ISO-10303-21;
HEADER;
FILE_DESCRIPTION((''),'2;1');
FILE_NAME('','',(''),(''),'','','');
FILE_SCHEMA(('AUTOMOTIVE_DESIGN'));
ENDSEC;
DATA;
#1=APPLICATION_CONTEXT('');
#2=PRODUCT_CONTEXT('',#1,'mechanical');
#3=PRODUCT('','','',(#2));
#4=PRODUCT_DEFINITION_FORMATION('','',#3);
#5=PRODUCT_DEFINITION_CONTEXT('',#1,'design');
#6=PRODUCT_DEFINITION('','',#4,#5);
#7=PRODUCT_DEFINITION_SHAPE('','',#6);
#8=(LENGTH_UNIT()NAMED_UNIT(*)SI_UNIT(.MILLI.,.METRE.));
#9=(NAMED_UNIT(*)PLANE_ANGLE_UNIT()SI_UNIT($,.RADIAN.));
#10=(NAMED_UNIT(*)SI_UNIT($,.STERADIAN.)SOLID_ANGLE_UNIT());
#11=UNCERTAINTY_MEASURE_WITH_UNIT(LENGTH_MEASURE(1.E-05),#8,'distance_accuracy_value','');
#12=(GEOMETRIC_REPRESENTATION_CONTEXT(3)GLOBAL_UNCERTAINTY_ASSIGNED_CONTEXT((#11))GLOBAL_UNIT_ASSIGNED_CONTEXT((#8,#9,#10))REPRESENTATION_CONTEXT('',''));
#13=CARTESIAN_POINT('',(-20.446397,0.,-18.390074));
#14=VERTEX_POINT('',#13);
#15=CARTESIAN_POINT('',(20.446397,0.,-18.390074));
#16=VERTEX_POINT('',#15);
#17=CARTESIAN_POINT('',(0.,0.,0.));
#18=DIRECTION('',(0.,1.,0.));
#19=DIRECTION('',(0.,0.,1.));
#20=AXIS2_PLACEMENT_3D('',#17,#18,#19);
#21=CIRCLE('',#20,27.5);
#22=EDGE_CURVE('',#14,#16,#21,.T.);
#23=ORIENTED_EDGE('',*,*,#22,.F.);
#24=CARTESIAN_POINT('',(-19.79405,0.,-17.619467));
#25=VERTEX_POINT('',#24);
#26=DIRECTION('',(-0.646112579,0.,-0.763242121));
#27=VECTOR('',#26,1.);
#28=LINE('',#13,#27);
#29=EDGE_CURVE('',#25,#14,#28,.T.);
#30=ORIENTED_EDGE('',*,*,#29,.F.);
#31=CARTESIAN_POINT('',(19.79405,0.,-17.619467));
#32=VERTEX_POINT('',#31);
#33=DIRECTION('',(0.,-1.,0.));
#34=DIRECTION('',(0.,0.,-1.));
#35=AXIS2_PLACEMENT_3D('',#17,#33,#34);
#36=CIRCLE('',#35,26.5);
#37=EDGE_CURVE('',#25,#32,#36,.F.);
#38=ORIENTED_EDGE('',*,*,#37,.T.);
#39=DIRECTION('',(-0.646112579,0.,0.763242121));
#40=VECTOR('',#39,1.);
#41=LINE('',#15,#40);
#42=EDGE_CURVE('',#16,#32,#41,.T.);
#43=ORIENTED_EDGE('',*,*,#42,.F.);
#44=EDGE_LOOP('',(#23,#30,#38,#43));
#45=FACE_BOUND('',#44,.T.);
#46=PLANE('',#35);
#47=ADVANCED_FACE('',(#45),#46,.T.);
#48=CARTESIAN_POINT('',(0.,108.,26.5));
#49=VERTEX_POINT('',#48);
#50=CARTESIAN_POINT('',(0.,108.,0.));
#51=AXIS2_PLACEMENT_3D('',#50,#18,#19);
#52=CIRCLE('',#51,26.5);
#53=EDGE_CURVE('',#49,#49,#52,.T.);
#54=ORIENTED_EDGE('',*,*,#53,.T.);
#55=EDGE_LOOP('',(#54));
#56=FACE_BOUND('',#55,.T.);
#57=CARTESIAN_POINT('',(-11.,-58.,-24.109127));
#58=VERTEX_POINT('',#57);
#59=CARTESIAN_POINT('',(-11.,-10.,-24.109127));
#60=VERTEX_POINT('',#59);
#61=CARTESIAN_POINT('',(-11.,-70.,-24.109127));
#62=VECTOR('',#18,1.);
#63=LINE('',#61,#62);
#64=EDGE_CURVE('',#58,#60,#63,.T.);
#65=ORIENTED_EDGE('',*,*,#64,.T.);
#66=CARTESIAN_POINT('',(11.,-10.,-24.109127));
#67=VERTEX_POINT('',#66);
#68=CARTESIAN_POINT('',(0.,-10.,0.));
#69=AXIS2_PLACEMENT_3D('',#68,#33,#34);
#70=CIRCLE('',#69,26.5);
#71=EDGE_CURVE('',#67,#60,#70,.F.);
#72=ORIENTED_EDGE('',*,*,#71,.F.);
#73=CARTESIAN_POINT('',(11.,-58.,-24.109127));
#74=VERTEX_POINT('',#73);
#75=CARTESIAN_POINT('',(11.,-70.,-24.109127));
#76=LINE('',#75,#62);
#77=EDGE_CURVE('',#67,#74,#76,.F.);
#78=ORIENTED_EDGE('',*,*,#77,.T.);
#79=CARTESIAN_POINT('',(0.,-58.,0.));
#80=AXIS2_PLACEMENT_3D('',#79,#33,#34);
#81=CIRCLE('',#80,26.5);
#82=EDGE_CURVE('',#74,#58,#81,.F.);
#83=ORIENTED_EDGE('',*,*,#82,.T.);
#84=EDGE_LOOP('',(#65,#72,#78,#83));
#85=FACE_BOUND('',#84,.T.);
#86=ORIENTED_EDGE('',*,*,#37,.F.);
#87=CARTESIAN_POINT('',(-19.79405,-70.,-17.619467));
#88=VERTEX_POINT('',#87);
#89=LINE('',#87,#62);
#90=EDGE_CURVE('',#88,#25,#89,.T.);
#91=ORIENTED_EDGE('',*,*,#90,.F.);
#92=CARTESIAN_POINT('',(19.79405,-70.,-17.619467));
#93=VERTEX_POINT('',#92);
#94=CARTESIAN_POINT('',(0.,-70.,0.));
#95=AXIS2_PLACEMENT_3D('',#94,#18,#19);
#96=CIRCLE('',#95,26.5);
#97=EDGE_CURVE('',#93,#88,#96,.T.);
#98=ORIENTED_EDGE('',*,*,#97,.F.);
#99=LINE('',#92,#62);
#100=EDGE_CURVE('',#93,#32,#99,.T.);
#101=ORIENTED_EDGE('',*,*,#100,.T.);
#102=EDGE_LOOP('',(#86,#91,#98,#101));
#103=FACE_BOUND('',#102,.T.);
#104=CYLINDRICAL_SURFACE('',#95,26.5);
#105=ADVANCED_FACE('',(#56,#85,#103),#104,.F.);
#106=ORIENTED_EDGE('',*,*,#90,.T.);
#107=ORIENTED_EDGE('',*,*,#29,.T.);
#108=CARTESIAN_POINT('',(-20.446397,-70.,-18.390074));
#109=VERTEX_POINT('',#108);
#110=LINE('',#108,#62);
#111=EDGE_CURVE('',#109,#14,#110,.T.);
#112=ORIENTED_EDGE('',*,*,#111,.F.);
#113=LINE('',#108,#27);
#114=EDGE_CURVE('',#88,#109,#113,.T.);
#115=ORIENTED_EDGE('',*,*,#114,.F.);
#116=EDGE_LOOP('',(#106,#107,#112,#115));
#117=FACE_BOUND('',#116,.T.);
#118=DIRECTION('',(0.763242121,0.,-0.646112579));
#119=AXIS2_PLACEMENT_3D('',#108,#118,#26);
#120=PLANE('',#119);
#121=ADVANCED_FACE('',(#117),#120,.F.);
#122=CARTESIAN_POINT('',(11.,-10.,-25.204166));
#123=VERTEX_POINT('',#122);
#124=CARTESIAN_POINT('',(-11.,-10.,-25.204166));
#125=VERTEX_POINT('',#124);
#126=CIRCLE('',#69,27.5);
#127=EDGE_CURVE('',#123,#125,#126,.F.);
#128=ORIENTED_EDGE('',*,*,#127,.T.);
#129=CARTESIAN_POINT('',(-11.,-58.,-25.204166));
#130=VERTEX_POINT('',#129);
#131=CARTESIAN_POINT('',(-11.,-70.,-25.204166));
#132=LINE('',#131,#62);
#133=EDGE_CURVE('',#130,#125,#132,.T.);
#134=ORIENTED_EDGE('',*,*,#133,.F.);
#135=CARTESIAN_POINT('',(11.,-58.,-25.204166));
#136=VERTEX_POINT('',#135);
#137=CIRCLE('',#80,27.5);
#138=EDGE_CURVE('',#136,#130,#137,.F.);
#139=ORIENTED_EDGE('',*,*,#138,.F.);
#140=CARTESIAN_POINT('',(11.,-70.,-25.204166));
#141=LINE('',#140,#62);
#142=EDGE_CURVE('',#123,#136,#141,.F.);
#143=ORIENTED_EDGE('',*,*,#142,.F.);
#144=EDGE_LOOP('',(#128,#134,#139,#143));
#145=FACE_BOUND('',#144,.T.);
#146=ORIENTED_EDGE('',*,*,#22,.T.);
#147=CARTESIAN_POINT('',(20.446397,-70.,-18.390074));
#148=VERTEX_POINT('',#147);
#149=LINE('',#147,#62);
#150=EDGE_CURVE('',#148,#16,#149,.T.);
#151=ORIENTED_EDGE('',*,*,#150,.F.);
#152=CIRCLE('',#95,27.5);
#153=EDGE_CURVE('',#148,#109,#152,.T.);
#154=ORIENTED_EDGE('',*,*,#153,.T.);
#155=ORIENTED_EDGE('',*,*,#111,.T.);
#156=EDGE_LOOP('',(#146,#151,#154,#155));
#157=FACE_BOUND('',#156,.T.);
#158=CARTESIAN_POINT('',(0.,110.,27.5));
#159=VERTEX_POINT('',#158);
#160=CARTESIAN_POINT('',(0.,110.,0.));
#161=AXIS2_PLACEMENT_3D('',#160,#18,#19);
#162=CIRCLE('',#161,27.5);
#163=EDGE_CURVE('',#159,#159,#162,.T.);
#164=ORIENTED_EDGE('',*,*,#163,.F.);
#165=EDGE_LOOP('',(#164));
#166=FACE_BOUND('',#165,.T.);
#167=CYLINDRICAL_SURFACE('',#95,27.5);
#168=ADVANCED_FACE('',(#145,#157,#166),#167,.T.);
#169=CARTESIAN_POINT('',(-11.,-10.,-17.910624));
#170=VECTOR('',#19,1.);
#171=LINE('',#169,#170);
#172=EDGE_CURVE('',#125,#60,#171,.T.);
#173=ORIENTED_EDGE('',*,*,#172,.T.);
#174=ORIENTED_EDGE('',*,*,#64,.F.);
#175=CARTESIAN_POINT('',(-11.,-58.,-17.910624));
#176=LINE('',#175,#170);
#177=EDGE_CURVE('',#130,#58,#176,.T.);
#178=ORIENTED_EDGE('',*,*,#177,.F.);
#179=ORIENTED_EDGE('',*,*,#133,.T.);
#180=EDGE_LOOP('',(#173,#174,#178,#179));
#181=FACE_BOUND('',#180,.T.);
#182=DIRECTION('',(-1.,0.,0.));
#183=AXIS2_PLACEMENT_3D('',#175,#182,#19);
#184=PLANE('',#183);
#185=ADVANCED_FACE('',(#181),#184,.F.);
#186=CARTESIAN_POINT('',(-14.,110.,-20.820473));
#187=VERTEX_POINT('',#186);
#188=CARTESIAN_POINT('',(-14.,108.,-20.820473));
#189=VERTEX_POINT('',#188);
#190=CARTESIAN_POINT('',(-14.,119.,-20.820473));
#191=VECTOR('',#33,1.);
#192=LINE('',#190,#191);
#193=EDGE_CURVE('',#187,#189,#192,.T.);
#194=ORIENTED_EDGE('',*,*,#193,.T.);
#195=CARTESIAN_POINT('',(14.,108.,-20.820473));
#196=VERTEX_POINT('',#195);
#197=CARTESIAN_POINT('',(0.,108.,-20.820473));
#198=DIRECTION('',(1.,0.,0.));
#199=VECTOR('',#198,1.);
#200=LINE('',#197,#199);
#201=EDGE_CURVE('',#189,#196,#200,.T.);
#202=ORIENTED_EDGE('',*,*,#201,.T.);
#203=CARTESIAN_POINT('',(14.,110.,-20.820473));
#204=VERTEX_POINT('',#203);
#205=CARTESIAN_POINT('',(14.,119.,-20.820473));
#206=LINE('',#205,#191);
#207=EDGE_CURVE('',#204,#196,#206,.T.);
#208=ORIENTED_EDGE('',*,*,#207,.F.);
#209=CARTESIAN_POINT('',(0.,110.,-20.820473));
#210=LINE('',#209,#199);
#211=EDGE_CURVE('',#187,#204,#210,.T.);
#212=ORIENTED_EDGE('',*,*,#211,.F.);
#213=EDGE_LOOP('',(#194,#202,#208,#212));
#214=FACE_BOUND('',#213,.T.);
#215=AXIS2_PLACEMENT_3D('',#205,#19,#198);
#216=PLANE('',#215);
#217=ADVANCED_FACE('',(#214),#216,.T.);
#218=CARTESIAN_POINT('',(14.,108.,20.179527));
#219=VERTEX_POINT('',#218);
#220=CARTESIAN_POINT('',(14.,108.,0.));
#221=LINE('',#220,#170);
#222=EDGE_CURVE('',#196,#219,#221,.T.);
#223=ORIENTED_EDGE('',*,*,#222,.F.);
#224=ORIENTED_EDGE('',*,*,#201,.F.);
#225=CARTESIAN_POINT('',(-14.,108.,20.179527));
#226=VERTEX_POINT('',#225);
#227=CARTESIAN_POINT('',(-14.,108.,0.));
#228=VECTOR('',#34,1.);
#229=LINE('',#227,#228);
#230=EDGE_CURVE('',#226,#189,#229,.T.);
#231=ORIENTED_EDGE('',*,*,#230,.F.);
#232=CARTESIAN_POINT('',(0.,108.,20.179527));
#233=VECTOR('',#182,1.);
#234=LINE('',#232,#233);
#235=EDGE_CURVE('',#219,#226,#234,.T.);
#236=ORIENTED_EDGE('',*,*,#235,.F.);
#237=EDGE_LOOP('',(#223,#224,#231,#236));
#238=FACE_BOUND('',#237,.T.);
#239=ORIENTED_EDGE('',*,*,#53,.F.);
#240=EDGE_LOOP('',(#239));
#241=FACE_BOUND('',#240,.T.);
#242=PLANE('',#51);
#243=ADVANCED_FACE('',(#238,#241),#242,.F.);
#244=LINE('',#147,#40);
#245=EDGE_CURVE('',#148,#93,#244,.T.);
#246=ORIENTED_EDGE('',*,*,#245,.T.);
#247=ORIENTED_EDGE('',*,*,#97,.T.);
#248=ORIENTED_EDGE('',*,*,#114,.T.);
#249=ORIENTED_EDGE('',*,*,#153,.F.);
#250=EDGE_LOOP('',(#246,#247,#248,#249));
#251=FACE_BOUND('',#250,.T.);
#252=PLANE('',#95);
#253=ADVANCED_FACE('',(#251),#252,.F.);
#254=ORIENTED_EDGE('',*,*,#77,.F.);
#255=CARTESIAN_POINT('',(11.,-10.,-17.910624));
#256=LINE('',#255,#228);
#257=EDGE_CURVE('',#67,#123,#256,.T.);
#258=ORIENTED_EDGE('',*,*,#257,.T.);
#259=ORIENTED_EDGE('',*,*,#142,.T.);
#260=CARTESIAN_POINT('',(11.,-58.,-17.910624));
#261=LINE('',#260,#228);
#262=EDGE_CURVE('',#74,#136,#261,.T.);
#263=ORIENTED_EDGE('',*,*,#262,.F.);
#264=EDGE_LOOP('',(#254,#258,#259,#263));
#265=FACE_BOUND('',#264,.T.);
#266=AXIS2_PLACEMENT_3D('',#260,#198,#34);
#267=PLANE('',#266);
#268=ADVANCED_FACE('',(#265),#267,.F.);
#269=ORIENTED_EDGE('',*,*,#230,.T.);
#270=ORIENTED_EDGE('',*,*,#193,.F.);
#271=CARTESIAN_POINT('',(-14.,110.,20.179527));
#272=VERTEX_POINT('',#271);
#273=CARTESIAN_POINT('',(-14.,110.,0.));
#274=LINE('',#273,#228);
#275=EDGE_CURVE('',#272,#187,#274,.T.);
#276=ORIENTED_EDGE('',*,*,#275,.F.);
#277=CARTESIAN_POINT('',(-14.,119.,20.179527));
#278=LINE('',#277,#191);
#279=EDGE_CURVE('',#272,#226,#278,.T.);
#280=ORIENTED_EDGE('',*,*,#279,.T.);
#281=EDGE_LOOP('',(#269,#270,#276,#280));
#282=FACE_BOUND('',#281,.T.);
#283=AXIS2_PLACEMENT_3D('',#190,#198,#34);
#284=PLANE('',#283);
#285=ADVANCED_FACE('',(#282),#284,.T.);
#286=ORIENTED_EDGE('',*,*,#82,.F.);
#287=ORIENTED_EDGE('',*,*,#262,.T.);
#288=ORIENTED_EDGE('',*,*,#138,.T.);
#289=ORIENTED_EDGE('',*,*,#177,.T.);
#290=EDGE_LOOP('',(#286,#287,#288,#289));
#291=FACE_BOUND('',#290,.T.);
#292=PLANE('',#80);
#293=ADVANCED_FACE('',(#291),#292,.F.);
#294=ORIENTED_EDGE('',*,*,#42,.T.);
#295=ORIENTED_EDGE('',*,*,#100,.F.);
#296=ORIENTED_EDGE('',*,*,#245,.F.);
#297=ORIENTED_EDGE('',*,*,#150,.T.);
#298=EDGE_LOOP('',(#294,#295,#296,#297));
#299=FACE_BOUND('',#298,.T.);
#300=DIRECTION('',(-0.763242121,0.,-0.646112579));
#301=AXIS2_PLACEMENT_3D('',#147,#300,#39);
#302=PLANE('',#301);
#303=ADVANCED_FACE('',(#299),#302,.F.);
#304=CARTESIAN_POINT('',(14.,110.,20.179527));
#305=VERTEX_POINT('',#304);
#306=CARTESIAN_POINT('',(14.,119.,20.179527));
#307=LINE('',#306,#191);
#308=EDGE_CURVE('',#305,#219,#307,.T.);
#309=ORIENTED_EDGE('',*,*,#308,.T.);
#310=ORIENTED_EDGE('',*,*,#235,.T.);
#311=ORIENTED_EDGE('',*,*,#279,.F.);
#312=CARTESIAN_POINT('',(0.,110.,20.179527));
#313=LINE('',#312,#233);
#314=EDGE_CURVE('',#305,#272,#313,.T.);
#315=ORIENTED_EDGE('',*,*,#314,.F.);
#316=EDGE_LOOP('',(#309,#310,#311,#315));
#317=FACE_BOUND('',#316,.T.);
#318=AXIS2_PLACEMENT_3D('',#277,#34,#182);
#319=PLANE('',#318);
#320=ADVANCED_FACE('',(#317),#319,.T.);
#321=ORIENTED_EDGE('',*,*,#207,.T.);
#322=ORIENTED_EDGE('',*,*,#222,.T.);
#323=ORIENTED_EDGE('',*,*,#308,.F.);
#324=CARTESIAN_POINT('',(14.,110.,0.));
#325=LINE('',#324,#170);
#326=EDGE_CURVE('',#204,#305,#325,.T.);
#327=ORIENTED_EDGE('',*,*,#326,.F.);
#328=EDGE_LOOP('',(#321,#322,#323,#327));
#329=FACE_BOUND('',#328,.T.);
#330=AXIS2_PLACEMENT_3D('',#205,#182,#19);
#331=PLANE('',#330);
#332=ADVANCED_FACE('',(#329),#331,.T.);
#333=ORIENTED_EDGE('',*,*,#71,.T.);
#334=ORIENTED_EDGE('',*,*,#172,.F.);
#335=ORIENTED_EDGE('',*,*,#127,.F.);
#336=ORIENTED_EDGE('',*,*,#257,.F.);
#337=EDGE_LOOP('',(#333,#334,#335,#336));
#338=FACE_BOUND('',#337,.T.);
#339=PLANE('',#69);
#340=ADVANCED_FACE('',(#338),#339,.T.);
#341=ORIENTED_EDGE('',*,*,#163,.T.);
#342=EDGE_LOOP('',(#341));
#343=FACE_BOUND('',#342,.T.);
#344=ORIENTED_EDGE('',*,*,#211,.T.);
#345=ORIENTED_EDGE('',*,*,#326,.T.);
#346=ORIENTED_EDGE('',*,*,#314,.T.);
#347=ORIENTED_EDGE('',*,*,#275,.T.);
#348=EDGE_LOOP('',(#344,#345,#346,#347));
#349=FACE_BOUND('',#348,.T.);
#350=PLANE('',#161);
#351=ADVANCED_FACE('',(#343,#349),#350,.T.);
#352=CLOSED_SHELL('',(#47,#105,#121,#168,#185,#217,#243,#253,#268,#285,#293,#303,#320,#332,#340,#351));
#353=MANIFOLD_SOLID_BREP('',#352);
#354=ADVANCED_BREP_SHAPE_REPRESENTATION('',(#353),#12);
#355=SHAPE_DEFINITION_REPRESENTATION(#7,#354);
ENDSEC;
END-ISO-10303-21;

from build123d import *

# Parameters (mm, degrees)
SKETCH_1_R               = 27.5
EXTRUDE_1_DEPTH          = 110
EXTRUDE_1_DEPTH_BACK     = 70
SKETCH_2_R               = 26.5
CUT_EXTRUDE_1_DEPTH      = 108
CUT_EXTRUDE_1_DEPTH_BACK = 70
CUT_EXTRUDE_6_DEPTH      = 70
SKETCH_7_W               = 22
SKETCH_7_H               = 20
CUT_EXTRUDE_7_DEPTH      = 48
SKETCH_8_W               = 28
SKETCH_8_H               = 41
CUT_EXTRUDE_8_DEPTH      = 119


with BuildPart() as part:
    # 草圖1 → 填料-伸長1 (new body, two sides)
    with BuildSketch(Plane(origin=(0, 0, 0), x_dir=(1, 0, 0), z_dir=(0, 1, 0))) as extrude_1_sk:
        Circle(SKETCH_1_R)
    extrude(amount=EXTRUDE_1_DEPTH)
    extrude(extrude_1_sk.sketch, amount=-EXTRUDE_1_DEPTH_BACK)

    # 草圖2 → 除料-伸長1 (cut, two sides)
    with BuildSketch(Plane(origin=(0, 0, 0), x_dir=(1, 0, 0), z_dir=(0, 1, 0))) as cut_extrude_1_sk:
        Circle(SKETCH_2_R)
    extrude(amount=CUT_EXTRUDE_1_DEPTH, mode=Mode.SUBTRACT)
    extrude(cut_extrude_1_sk.sketch, amount=-CUT_EXTRUDE_1_DEPTH_BACK, mode=Mode.SUBTRACT)

    # 草圖6 → 除料-伸長6 (cut)
    with BuildSketch(Plane(origin=(0, 0, 0), x_dir=(1, 0, 0), z_dir=(0, 1, 0))):
        with BuildLine():
            Line((-26.5, 0), (26.300758937, 0))
            Line((26.300758937, 0), (26.5, 0))
            ThreePointArc((26.5, 0), (24.766835815, 9.426231681), (19.794049532, 17.619466595))
            Line((19.794049532, 17.619466595), (20.446397381, 18.390074337))
            ThreePointArc((20.446397381, 18.390074337), (25.676116607, 9.848199633), (27.5, 0))
            ThreePointArc((27.5, 0), (0, -27.5), (-27.5, 0))
            ThreePointArc((-27.5, 0), (-25.676116607, 9.848199633), (-20.446397381, 18.390074337))
            Line((-20.446397381, 18.390074337), (-19.794049532, 17.619466595))
            ThreePointArc((-19.794049532, 17.619466595), (-24.766835815, 9.426231681), (-26.5, 0))
        make_face()
    extrude(amount=-CUT_EXTRUDE_6_DEPTH, mode=Mode.SUBTRACT)

    # 草圖7 → 除料-伸長7 (cut)
    with BuildSketch(Plane(origin=(0, -10, 0), x_dir=(1, 0, 0), z_dir=(0, 1, 0))):
        with Locations((0, 27.910624132)):
            Rectangle(SKETCH_7_W, SKETCH_7_H)
    extrude(amount=-CUT_EXTRUDE_7_DEPTH, mode=Mode.SUBTRACT)

    # 草圖8 → 除料-伸長8 (cut)
    with BuildSketch(Plane(origin=(0, 0, 0), x_dir=(1, 0, 0), z_dir=(0, 1, 0))):
        with Locations((0, 0.320473431)):
            Rectangle(SKETCH_8_W, SKETCH_8_H)
    extrude(amount=CUT_EXTRUDE_8_DEPTH, mode=Mode.SUBTRACT)


solid = part.part
